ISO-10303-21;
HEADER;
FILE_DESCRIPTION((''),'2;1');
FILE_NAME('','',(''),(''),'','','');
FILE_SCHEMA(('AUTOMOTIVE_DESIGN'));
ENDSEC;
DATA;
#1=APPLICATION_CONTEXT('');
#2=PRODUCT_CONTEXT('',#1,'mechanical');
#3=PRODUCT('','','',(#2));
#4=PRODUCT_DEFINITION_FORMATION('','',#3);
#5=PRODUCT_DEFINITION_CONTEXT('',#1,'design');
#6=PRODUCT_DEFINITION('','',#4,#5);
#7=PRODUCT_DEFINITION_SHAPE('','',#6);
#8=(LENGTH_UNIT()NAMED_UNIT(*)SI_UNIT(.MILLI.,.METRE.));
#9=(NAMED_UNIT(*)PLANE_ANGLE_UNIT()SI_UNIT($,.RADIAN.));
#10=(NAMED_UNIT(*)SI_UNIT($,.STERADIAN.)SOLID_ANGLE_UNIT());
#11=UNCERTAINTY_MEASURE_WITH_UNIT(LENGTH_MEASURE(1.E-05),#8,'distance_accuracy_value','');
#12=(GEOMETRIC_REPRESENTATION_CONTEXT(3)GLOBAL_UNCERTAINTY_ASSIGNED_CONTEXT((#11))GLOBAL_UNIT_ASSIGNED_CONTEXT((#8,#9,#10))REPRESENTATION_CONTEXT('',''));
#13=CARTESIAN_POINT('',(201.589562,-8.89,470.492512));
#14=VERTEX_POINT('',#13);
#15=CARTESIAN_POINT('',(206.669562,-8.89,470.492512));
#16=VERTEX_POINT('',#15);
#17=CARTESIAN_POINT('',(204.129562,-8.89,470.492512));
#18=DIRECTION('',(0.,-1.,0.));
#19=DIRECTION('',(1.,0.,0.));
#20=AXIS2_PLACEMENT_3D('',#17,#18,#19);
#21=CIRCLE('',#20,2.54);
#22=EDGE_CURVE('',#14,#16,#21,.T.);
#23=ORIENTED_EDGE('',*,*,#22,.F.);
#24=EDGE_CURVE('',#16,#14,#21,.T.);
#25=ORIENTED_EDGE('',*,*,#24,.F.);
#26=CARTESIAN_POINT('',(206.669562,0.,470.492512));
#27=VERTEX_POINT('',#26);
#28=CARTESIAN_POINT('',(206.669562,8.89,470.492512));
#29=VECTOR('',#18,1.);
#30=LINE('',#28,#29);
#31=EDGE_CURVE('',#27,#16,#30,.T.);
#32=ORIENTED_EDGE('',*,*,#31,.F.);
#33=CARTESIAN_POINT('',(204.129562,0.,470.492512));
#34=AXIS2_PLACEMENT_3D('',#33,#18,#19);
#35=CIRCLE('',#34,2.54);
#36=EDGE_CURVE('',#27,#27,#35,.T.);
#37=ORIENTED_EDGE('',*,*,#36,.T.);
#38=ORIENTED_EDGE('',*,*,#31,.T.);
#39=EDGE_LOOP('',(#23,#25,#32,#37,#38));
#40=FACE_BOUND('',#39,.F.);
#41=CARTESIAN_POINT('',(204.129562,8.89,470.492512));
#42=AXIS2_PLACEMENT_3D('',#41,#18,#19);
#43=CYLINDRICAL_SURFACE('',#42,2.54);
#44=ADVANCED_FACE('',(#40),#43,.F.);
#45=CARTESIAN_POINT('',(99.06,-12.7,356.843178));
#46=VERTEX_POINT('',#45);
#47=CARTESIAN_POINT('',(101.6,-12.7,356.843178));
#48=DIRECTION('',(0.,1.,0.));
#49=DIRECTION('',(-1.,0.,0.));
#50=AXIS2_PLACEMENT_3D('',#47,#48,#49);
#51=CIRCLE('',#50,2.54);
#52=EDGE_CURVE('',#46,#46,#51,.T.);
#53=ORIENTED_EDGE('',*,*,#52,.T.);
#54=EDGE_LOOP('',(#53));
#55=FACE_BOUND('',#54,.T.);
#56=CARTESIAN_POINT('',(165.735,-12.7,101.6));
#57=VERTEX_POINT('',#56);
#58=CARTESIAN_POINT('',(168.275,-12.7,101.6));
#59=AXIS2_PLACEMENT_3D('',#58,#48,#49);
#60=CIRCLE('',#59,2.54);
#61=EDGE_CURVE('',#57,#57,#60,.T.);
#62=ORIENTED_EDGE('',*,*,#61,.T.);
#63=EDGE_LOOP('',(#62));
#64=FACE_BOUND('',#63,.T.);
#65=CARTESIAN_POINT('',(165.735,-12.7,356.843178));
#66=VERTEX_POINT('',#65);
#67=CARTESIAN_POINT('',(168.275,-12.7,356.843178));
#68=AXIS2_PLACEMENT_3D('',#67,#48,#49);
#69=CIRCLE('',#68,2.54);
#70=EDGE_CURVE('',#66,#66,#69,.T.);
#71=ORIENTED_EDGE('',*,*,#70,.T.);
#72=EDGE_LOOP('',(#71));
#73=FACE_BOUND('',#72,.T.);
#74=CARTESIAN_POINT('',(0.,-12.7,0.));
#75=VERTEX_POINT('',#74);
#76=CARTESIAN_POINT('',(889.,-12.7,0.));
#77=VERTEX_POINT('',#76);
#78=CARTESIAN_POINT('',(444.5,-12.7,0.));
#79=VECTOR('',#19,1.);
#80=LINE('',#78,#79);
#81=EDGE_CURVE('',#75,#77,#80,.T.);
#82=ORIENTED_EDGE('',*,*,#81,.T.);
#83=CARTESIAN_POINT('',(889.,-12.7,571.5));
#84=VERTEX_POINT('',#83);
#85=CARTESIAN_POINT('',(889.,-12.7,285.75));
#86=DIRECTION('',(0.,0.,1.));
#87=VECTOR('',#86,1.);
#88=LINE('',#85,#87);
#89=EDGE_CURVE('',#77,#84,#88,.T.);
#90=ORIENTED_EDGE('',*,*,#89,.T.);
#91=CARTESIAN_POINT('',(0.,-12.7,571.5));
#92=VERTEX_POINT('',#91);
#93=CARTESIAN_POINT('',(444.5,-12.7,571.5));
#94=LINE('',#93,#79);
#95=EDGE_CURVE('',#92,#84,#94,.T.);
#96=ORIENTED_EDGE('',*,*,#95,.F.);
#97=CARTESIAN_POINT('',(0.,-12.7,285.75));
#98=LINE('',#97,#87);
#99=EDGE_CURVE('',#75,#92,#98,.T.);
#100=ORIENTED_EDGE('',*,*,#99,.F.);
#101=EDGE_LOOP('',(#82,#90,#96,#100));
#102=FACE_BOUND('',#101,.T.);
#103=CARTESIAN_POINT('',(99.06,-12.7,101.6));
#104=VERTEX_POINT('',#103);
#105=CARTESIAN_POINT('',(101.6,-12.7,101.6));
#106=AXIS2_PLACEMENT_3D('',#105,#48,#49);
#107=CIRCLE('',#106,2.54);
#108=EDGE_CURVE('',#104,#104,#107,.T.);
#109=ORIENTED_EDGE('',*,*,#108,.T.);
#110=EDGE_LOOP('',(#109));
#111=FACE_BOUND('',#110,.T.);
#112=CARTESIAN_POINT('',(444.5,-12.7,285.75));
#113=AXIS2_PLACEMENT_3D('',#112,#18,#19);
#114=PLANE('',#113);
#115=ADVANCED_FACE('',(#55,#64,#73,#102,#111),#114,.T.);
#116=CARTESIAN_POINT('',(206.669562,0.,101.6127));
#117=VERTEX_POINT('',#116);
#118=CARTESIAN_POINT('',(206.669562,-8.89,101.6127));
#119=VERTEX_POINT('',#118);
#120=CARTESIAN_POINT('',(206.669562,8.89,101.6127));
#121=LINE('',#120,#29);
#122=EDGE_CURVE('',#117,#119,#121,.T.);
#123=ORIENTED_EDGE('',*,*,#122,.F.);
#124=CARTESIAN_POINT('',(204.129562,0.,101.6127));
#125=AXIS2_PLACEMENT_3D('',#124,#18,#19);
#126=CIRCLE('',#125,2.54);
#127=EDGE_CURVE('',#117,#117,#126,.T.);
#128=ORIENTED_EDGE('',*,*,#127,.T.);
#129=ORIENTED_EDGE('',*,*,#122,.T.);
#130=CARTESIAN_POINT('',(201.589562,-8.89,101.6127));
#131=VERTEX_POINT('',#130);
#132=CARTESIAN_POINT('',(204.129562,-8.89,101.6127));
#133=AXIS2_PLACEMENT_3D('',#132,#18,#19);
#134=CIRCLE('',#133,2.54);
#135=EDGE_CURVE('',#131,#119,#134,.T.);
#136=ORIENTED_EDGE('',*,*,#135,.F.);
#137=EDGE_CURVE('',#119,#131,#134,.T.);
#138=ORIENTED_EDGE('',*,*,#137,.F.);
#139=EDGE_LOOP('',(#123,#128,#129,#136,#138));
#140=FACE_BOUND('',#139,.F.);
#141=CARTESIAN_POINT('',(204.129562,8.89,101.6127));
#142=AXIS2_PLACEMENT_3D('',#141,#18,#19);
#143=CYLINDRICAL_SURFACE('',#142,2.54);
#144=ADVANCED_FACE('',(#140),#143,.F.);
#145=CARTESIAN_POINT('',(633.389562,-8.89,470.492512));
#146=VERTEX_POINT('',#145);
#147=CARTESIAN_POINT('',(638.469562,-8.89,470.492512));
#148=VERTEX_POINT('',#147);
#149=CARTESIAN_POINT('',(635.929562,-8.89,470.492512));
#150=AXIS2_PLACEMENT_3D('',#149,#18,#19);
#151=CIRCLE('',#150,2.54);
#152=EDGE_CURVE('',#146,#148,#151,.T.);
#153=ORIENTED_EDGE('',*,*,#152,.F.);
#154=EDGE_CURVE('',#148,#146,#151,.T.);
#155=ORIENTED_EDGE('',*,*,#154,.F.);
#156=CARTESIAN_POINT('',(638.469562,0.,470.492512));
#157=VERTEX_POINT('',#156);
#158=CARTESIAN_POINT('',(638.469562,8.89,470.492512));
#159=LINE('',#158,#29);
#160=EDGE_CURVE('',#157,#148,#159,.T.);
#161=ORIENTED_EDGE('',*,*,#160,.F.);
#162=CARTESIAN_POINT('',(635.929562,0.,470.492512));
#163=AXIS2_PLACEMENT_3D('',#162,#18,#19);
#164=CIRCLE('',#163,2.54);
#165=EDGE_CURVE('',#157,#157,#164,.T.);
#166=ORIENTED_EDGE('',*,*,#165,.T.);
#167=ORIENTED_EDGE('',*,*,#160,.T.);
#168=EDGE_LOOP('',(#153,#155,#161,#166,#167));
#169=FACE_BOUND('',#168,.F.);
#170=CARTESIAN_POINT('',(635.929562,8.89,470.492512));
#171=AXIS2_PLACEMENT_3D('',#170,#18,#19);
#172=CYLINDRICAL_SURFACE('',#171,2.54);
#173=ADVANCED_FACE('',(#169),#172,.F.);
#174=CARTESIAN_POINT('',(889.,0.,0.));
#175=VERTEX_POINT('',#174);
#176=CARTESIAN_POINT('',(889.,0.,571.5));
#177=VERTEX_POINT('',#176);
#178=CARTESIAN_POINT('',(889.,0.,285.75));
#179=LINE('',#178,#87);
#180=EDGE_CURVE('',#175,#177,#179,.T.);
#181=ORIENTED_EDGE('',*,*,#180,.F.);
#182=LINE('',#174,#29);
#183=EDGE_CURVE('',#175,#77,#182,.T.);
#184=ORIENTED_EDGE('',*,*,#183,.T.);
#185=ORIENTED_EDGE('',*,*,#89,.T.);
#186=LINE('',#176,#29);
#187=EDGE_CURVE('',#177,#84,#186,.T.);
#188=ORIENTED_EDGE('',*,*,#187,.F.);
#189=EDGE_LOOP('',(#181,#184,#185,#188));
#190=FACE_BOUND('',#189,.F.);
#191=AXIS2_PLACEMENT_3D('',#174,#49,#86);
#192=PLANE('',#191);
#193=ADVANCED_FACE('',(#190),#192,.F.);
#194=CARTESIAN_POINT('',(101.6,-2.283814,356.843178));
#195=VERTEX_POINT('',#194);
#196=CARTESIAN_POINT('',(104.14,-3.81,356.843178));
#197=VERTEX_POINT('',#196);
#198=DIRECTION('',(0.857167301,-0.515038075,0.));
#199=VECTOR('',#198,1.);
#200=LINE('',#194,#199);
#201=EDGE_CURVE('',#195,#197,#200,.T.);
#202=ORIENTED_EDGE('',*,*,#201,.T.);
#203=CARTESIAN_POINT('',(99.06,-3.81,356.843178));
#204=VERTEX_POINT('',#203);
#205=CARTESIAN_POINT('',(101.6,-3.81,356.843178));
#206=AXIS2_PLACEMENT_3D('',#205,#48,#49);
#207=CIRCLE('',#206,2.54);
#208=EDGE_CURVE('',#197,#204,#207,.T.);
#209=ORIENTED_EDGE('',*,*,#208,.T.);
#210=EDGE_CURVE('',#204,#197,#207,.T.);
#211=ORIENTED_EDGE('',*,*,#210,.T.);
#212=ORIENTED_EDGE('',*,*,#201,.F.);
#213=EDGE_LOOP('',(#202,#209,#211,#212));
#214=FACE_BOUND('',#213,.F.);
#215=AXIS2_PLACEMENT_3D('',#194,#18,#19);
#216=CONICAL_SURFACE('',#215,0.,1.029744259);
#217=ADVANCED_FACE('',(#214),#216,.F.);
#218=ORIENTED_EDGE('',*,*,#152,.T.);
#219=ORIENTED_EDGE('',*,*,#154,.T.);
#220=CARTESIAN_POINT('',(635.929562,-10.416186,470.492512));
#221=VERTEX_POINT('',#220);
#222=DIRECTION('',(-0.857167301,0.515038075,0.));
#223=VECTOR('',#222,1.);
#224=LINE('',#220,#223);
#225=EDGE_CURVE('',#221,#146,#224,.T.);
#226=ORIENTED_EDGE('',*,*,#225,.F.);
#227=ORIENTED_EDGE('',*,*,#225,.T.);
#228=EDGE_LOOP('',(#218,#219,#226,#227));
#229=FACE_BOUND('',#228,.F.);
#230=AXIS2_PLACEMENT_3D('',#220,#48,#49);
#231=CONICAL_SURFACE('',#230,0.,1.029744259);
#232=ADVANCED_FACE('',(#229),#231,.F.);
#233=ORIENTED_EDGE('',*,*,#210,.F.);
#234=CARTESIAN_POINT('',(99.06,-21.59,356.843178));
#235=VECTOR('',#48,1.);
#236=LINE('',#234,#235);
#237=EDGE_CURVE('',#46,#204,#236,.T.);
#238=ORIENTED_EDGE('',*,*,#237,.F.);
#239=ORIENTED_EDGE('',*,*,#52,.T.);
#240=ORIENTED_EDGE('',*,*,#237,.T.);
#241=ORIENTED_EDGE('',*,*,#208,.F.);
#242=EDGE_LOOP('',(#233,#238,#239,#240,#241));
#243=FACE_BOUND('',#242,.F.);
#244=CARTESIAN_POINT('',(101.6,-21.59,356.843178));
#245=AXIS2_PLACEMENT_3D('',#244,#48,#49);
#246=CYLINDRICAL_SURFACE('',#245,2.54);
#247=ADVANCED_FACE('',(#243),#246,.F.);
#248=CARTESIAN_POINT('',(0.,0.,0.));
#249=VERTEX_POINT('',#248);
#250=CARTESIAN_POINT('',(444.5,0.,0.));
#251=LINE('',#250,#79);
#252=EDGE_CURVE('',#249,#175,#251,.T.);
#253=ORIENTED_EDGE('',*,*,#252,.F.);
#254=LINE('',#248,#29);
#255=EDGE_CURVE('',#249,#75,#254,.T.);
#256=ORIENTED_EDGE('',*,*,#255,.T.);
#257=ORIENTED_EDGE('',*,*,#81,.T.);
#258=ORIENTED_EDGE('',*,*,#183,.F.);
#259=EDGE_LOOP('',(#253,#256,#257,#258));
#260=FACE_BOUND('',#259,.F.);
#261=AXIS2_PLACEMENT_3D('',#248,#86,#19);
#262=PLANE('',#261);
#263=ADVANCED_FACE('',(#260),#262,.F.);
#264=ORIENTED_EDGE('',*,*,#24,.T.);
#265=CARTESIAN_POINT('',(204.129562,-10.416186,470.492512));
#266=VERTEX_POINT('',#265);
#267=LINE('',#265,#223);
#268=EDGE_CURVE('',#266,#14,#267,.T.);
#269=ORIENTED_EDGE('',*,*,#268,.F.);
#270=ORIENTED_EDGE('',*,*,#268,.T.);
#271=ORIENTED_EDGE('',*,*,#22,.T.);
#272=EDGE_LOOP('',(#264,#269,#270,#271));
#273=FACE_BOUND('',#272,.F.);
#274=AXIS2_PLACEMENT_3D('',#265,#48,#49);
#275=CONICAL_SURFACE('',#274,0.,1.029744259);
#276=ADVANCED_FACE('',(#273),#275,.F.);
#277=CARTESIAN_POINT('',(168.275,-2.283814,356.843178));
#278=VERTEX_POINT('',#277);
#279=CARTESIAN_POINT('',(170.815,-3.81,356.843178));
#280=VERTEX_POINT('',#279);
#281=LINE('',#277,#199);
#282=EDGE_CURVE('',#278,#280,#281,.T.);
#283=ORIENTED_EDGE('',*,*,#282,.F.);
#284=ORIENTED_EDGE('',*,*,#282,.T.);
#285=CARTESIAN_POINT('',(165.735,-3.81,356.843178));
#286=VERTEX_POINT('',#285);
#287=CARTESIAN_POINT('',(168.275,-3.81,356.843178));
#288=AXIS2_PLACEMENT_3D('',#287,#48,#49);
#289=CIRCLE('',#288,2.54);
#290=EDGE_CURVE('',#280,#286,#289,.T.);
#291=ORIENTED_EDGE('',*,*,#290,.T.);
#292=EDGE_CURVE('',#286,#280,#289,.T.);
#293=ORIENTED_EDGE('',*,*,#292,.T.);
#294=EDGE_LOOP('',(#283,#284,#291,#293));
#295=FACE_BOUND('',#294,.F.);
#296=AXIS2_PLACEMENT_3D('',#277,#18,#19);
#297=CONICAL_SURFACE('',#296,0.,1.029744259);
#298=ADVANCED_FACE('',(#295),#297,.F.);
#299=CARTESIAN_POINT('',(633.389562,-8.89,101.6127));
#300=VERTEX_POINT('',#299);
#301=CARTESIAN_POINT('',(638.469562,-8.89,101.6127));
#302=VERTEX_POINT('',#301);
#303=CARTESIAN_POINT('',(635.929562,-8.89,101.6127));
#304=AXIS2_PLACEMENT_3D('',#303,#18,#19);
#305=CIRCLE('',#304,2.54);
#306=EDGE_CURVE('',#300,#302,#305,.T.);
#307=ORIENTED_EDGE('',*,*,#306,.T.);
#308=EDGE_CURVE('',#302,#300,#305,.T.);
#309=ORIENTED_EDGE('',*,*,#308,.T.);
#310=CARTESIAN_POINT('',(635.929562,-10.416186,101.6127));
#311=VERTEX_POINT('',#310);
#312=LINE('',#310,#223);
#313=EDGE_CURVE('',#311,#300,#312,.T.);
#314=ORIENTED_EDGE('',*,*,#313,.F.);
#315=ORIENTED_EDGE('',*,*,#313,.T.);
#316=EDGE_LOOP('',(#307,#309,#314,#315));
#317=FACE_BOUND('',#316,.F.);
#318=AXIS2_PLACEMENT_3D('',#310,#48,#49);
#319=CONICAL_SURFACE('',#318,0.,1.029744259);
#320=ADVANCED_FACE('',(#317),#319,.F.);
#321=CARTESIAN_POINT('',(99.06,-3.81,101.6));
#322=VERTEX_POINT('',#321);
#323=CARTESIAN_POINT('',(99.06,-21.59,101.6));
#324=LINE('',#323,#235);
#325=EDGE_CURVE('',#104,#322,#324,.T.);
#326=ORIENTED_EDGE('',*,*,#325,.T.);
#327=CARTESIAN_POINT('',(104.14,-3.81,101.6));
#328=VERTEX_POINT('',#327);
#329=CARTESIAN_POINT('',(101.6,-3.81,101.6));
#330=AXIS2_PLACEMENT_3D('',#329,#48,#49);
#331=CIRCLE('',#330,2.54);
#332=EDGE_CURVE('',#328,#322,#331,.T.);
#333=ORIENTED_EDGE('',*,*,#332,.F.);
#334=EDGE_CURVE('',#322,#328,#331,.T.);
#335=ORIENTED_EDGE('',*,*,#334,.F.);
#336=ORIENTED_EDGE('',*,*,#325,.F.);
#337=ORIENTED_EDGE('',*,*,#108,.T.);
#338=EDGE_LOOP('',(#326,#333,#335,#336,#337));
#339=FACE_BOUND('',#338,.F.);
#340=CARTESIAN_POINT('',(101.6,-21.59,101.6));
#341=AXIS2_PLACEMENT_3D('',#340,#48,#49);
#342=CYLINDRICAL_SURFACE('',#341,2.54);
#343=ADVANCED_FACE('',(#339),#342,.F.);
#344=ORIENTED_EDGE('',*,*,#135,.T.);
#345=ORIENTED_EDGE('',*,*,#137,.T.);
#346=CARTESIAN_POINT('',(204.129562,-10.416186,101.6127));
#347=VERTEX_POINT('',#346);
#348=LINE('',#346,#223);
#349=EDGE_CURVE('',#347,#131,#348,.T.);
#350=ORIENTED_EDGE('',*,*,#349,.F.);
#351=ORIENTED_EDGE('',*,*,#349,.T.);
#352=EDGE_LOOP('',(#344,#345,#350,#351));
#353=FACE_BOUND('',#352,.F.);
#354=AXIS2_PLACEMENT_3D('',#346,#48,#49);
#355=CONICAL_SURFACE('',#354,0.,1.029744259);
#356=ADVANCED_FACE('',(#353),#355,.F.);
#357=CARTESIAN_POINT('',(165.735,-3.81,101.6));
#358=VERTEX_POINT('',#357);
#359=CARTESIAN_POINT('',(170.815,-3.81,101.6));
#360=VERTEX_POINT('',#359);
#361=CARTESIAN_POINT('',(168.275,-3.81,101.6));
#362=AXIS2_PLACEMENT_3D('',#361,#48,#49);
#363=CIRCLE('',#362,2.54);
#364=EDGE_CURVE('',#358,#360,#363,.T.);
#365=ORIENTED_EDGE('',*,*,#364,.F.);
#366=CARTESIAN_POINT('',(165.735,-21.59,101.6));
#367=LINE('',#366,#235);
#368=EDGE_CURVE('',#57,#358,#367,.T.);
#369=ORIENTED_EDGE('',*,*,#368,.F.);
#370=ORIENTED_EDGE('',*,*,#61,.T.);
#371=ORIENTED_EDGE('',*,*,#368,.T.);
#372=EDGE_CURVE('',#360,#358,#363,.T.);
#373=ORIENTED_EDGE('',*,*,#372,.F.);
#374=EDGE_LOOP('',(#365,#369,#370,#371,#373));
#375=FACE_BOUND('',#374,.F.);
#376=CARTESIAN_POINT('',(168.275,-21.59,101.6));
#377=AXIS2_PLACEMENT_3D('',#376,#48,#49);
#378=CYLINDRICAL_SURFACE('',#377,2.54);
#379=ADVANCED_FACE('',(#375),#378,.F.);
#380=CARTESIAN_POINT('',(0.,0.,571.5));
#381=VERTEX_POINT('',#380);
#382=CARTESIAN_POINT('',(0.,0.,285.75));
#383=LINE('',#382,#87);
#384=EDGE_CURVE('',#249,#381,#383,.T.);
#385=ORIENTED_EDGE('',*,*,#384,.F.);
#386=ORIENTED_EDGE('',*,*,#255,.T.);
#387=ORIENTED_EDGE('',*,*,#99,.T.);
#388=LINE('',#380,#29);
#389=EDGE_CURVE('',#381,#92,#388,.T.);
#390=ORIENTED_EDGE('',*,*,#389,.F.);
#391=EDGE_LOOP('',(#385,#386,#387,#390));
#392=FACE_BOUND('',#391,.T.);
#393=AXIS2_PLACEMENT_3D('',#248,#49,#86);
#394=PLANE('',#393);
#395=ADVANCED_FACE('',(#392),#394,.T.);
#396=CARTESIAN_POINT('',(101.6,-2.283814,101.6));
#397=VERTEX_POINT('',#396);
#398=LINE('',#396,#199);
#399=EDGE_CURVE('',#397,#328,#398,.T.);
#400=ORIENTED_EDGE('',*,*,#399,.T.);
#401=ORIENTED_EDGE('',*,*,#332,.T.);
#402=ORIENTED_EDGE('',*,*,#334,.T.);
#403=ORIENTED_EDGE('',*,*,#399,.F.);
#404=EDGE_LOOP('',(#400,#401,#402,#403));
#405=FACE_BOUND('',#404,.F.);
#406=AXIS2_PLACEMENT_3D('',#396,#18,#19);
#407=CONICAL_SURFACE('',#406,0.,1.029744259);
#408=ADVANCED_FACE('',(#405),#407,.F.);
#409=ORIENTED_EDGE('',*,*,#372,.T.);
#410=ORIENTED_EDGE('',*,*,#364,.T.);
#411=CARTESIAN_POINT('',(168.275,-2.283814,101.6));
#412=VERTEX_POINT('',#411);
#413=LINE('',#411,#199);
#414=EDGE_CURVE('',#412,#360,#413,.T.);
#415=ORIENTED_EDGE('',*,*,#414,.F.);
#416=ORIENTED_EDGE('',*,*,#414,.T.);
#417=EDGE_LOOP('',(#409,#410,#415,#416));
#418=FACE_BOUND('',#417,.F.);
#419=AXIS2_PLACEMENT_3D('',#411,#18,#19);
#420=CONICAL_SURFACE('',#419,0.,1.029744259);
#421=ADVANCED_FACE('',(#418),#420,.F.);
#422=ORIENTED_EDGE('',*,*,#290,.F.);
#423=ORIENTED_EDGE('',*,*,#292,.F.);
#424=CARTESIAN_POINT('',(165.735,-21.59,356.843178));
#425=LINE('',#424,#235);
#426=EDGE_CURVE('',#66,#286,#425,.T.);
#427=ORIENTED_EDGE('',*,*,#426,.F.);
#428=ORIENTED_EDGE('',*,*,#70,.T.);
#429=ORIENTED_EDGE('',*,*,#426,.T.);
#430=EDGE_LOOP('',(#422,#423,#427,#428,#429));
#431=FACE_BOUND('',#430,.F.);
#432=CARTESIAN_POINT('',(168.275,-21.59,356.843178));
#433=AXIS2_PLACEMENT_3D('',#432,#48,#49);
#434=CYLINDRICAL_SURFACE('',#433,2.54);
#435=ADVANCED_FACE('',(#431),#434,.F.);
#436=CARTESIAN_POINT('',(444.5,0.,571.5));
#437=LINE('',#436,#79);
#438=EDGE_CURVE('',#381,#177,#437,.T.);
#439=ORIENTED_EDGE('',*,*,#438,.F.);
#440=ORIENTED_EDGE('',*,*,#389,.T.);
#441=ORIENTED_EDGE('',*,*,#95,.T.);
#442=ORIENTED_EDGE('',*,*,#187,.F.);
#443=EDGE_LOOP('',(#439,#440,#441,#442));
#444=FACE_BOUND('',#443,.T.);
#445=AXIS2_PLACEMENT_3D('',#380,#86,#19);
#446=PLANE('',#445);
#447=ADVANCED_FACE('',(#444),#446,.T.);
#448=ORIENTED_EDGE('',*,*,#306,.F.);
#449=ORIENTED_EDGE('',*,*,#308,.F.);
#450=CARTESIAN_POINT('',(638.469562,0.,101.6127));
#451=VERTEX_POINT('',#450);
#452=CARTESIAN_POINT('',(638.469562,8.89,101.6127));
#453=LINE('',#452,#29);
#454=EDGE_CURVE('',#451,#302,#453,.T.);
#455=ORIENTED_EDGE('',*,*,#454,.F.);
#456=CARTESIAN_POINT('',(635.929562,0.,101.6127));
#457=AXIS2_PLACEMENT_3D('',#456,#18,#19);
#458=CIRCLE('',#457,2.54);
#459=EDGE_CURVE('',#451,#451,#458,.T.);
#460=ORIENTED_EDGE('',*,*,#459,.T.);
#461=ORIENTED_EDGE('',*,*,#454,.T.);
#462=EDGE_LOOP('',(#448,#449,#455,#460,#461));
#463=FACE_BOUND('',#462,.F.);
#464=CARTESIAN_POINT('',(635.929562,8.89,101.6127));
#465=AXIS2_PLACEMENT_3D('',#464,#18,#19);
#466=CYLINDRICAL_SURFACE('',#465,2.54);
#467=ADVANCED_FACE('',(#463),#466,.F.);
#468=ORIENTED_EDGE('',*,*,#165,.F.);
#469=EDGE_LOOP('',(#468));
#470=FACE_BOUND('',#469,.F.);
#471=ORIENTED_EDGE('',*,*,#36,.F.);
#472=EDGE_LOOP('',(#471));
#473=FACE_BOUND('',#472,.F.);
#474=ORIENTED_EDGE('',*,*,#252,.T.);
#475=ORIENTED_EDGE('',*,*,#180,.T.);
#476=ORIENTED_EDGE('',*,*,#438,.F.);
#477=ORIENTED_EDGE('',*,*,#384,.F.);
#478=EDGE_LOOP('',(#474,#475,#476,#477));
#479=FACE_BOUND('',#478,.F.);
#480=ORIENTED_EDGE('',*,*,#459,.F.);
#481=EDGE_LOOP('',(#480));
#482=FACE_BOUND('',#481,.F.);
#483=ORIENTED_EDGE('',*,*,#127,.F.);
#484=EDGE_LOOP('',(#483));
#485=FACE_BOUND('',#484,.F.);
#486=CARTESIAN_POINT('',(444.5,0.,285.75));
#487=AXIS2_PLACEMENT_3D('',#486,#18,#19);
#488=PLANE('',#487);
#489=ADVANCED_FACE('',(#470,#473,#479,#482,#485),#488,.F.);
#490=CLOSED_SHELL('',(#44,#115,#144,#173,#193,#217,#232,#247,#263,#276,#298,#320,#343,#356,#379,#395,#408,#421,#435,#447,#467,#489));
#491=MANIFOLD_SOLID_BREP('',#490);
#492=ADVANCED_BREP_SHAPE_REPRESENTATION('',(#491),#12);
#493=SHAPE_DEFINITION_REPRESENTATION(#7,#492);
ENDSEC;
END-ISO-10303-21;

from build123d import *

# Parameters (mm, degrees)
F0_W     = 889
F0_H     = 571.5
F1_DEPTH = 12.7
F3_D     = 5.08
F3_DEPTH = 8.89
F3_TIP   = 1.5261859723
F5_D     = 5.08
F5_DEPTH = 8.89
F5_TIP   = 1.5261859723


with BuildPart() as f1:
    # F0 (on Front) → F1 (new body)
    with BuildSketch(Plane.XZ):
        with Locations((444.5, 285.75)):
            Rectangle(F0_W, F0_H)
    extrude(amount=F1_DEPTH)

    # F3
    with Locations(Plane(origin=(0, 0, 0), x_dir=(-1, 0, 0), z_dir=(0, 1, 0))):
        with Locations((-635.9295617819, 470.4925119877), (-635.9295617819, 101.6127), (-204.1295617819, 101.6127), (-204.1295617819, 470.4925119877)):
            Hole(F3_D / 2, depth=F3_DEPTH)
            with Locations((0, 0, -(F3_DEPTH + F3_TIP / 2))):  # 118° drill point
                Cone(0, F3_D / 2, F3_TIP, mode=Mode.SUBTRACT)

    # F5
    with Locations(Plane.XZ.offset(12.7)):
        with Locations((101.6, 101.6), (168.275, 101.6), (101.6, 356.8431784153), (168.275, 356.8431784153)):
            Hole(F5_D / 2, depth=F5_DEPTH)
            with Locations((0, 0, -(F5_DEPTH + F5_TIP / 2))):  # 118° drill point
                Cone(0, F5_D / 2, F5_TIP, mode=Mode.SUBTRACT)


solid = f1.part
